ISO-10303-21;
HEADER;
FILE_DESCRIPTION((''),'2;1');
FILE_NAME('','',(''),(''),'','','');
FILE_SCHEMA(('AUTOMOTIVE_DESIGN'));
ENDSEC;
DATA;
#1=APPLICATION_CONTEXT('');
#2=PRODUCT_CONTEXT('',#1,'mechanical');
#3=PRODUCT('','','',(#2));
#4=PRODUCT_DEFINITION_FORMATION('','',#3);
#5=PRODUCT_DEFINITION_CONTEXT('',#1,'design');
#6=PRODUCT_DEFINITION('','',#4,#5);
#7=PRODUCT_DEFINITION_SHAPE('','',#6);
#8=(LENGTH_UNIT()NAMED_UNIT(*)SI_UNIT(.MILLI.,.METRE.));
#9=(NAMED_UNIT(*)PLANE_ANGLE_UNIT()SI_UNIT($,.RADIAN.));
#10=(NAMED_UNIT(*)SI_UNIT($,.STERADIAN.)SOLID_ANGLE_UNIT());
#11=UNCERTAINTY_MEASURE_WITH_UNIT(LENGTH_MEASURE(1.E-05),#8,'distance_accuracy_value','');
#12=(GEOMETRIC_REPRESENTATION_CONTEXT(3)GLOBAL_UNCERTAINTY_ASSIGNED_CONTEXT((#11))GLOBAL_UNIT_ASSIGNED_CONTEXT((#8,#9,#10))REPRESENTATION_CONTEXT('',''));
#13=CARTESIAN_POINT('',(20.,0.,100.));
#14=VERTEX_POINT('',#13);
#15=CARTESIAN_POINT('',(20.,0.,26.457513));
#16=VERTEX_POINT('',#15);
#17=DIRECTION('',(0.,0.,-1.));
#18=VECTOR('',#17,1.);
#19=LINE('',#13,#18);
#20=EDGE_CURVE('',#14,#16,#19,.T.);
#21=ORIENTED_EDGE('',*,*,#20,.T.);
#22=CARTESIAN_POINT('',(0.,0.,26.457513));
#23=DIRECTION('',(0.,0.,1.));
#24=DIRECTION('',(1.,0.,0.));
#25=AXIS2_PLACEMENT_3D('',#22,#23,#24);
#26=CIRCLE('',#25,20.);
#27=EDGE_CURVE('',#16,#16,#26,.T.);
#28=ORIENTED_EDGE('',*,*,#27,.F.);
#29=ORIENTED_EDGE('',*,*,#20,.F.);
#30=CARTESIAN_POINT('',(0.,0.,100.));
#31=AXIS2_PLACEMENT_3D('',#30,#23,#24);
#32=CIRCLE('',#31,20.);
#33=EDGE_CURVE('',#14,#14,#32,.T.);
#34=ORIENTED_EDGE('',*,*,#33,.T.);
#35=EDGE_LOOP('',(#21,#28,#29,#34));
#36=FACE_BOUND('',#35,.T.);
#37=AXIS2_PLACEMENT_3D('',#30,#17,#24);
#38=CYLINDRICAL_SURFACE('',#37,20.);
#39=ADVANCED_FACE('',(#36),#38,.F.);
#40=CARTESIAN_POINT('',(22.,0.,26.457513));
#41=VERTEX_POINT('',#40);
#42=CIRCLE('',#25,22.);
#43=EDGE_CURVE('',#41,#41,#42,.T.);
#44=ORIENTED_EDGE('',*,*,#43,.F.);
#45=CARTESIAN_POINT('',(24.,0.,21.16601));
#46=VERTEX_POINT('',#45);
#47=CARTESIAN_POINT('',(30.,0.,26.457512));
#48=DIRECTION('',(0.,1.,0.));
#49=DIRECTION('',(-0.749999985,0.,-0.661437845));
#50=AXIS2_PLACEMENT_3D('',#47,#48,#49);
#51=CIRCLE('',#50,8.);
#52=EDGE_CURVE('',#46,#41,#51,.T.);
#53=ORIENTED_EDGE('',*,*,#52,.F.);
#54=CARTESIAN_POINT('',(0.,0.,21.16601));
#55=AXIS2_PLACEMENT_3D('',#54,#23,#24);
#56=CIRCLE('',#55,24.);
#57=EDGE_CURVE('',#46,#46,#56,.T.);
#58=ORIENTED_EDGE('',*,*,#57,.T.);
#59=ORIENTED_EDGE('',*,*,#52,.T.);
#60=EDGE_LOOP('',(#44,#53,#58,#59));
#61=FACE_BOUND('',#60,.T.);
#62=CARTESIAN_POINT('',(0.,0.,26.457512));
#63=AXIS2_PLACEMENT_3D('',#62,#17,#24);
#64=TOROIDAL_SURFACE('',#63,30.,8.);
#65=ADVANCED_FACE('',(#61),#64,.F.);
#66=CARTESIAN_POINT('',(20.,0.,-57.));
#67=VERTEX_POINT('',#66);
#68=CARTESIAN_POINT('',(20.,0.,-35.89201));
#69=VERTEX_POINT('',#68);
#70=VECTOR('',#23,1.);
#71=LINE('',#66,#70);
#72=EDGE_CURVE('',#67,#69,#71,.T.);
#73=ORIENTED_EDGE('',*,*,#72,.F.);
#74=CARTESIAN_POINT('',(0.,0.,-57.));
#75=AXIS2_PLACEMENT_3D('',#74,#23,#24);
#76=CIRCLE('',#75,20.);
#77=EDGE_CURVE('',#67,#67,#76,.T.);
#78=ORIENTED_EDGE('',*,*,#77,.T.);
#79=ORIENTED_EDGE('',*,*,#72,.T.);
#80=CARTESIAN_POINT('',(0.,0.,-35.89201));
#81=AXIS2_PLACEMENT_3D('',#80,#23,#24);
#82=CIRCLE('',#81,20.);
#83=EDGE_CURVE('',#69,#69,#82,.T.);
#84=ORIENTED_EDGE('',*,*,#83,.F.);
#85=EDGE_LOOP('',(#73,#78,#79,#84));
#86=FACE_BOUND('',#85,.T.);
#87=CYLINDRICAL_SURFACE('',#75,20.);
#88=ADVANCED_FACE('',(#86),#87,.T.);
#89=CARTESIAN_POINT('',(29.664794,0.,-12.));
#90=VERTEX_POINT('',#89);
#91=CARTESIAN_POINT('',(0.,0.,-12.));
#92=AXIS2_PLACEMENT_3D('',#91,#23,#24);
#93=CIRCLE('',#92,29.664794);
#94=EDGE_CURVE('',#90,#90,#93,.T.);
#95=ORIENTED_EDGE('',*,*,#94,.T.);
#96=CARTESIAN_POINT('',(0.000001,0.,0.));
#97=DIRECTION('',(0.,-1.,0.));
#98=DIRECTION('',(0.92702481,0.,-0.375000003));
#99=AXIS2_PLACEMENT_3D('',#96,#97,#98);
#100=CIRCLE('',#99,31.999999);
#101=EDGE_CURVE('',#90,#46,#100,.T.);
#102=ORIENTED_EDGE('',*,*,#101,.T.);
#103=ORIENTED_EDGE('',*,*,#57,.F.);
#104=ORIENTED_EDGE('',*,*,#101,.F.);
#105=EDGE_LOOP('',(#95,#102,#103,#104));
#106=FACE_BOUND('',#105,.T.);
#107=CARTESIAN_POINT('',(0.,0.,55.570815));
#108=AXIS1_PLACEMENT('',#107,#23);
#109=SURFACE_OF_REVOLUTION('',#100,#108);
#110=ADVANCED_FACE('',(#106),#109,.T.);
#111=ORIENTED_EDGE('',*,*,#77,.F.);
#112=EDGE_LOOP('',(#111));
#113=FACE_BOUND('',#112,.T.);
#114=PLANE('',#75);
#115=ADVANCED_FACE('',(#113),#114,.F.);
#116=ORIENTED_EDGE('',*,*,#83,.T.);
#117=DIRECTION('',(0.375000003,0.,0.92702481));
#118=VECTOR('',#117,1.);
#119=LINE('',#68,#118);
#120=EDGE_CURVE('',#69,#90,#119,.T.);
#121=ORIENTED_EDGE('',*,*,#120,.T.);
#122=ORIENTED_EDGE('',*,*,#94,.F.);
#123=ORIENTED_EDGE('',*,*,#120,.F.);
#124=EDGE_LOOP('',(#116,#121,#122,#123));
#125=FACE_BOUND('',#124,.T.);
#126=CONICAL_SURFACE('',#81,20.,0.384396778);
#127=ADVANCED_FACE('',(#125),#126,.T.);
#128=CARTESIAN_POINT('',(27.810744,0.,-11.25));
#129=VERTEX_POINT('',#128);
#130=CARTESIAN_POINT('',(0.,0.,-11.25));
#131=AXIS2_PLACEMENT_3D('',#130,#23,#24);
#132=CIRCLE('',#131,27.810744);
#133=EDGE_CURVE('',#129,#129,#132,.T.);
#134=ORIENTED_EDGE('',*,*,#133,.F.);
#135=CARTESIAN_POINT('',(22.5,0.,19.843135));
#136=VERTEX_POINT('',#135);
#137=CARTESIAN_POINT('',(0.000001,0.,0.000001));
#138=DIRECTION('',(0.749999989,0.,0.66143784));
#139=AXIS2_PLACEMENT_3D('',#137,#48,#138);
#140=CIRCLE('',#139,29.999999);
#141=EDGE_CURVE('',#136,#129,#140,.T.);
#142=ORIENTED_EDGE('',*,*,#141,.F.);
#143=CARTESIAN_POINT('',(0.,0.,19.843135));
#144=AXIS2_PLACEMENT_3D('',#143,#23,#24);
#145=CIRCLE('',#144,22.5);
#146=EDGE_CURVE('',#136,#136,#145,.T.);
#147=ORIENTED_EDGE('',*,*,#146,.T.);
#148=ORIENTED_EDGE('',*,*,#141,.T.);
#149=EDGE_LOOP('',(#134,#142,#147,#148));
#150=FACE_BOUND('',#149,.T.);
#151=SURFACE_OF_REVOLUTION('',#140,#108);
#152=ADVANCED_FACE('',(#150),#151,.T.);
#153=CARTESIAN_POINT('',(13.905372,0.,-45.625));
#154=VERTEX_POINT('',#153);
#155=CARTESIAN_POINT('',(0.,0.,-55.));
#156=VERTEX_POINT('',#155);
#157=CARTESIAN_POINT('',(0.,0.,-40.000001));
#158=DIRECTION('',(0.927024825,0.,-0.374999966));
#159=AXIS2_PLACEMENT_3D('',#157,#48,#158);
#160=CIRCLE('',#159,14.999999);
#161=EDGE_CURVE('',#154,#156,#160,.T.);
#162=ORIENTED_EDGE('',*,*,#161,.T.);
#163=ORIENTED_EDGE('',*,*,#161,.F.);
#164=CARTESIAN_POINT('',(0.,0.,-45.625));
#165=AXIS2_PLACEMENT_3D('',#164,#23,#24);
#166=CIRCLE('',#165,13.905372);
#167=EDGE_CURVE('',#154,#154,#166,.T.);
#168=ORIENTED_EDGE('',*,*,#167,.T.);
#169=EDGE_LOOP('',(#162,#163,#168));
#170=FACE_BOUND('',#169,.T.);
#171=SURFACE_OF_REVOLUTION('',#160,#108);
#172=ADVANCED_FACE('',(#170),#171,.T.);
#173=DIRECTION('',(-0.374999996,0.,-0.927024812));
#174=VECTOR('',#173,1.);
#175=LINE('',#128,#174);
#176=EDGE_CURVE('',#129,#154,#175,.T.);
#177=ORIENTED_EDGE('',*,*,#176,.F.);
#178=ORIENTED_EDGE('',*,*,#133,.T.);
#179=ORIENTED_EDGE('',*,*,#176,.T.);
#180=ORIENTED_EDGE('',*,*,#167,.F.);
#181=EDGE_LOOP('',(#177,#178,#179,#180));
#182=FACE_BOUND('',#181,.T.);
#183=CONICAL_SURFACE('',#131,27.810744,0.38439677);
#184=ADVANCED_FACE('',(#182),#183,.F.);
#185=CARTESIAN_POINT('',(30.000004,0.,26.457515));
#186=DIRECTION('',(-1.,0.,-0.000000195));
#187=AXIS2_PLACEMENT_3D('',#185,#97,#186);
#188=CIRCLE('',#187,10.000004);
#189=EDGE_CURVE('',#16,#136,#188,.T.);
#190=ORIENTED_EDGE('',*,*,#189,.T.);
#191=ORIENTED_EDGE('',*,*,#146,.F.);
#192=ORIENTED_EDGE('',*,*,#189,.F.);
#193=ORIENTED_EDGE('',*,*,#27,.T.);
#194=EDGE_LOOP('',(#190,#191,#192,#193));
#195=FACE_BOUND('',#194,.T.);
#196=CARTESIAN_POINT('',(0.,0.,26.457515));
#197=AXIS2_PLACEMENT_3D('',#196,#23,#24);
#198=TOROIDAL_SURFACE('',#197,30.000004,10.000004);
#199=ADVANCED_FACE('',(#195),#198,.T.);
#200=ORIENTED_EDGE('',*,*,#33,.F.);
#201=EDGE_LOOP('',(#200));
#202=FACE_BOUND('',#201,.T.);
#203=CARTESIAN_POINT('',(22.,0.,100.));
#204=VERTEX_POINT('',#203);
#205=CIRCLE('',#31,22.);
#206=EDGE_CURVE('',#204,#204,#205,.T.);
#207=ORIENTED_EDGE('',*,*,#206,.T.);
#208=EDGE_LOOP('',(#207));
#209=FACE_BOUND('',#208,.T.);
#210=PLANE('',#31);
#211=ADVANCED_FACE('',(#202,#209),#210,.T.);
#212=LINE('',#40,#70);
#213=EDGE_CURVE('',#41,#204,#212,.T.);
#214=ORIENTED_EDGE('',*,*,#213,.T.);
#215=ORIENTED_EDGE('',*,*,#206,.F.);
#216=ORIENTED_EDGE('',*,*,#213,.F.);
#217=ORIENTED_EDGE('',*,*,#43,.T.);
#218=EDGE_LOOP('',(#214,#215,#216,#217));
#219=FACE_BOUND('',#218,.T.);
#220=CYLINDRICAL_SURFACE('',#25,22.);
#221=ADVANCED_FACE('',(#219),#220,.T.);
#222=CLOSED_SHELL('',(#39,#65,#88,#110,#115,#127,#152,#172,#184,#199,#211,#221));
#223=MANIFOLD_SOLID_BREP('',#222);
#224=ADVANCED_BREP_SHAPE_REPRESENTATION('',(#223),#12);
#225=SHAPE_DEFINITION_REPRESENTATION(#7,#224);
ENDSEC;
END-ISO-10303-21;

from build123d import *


with BuildPart() as f1:
    # F0 (on Front) → F1 (revolve)
    with BuildSketch(Plane.XZ):
        with BuildLine():
            ThreePointArc((22.5, 19.843135), (29.571752, 5.05089), (27.810744, -11.25))
            Line((27.810744, -11.25), (13.905372, -45.625))
            ThreePointArc((13.905372, -45.625), (8.385255, -52.437343), (0, -55))
            Line((0, -55), (0, -57))
            Line((0, -57), (20, -57))
            Line((20, -57), (20, -35.89201))
            Line((20, -35.89201), (29.664794, -12))
            ThreePointArc((29.664794, -12), (31.543202, 5.387616), (24, 21.16601))
            ThreePointArc((24, 21.16601), (22.516685, 23.629086), (22, 26.457513))
            Line((22, 26.457513), (22, 100))
            Line((22, 100), (20, 100))
            Line((20, 100), (20, 26.457513))
            ThreePointArc((20, 26.457513), (20.645857, 22.921979), (22.5, 19.843135))
        make_face()
    revolve(axis=Axis((0, 0, 55.570815), (0, 0, 1)))


solid = f1.part
